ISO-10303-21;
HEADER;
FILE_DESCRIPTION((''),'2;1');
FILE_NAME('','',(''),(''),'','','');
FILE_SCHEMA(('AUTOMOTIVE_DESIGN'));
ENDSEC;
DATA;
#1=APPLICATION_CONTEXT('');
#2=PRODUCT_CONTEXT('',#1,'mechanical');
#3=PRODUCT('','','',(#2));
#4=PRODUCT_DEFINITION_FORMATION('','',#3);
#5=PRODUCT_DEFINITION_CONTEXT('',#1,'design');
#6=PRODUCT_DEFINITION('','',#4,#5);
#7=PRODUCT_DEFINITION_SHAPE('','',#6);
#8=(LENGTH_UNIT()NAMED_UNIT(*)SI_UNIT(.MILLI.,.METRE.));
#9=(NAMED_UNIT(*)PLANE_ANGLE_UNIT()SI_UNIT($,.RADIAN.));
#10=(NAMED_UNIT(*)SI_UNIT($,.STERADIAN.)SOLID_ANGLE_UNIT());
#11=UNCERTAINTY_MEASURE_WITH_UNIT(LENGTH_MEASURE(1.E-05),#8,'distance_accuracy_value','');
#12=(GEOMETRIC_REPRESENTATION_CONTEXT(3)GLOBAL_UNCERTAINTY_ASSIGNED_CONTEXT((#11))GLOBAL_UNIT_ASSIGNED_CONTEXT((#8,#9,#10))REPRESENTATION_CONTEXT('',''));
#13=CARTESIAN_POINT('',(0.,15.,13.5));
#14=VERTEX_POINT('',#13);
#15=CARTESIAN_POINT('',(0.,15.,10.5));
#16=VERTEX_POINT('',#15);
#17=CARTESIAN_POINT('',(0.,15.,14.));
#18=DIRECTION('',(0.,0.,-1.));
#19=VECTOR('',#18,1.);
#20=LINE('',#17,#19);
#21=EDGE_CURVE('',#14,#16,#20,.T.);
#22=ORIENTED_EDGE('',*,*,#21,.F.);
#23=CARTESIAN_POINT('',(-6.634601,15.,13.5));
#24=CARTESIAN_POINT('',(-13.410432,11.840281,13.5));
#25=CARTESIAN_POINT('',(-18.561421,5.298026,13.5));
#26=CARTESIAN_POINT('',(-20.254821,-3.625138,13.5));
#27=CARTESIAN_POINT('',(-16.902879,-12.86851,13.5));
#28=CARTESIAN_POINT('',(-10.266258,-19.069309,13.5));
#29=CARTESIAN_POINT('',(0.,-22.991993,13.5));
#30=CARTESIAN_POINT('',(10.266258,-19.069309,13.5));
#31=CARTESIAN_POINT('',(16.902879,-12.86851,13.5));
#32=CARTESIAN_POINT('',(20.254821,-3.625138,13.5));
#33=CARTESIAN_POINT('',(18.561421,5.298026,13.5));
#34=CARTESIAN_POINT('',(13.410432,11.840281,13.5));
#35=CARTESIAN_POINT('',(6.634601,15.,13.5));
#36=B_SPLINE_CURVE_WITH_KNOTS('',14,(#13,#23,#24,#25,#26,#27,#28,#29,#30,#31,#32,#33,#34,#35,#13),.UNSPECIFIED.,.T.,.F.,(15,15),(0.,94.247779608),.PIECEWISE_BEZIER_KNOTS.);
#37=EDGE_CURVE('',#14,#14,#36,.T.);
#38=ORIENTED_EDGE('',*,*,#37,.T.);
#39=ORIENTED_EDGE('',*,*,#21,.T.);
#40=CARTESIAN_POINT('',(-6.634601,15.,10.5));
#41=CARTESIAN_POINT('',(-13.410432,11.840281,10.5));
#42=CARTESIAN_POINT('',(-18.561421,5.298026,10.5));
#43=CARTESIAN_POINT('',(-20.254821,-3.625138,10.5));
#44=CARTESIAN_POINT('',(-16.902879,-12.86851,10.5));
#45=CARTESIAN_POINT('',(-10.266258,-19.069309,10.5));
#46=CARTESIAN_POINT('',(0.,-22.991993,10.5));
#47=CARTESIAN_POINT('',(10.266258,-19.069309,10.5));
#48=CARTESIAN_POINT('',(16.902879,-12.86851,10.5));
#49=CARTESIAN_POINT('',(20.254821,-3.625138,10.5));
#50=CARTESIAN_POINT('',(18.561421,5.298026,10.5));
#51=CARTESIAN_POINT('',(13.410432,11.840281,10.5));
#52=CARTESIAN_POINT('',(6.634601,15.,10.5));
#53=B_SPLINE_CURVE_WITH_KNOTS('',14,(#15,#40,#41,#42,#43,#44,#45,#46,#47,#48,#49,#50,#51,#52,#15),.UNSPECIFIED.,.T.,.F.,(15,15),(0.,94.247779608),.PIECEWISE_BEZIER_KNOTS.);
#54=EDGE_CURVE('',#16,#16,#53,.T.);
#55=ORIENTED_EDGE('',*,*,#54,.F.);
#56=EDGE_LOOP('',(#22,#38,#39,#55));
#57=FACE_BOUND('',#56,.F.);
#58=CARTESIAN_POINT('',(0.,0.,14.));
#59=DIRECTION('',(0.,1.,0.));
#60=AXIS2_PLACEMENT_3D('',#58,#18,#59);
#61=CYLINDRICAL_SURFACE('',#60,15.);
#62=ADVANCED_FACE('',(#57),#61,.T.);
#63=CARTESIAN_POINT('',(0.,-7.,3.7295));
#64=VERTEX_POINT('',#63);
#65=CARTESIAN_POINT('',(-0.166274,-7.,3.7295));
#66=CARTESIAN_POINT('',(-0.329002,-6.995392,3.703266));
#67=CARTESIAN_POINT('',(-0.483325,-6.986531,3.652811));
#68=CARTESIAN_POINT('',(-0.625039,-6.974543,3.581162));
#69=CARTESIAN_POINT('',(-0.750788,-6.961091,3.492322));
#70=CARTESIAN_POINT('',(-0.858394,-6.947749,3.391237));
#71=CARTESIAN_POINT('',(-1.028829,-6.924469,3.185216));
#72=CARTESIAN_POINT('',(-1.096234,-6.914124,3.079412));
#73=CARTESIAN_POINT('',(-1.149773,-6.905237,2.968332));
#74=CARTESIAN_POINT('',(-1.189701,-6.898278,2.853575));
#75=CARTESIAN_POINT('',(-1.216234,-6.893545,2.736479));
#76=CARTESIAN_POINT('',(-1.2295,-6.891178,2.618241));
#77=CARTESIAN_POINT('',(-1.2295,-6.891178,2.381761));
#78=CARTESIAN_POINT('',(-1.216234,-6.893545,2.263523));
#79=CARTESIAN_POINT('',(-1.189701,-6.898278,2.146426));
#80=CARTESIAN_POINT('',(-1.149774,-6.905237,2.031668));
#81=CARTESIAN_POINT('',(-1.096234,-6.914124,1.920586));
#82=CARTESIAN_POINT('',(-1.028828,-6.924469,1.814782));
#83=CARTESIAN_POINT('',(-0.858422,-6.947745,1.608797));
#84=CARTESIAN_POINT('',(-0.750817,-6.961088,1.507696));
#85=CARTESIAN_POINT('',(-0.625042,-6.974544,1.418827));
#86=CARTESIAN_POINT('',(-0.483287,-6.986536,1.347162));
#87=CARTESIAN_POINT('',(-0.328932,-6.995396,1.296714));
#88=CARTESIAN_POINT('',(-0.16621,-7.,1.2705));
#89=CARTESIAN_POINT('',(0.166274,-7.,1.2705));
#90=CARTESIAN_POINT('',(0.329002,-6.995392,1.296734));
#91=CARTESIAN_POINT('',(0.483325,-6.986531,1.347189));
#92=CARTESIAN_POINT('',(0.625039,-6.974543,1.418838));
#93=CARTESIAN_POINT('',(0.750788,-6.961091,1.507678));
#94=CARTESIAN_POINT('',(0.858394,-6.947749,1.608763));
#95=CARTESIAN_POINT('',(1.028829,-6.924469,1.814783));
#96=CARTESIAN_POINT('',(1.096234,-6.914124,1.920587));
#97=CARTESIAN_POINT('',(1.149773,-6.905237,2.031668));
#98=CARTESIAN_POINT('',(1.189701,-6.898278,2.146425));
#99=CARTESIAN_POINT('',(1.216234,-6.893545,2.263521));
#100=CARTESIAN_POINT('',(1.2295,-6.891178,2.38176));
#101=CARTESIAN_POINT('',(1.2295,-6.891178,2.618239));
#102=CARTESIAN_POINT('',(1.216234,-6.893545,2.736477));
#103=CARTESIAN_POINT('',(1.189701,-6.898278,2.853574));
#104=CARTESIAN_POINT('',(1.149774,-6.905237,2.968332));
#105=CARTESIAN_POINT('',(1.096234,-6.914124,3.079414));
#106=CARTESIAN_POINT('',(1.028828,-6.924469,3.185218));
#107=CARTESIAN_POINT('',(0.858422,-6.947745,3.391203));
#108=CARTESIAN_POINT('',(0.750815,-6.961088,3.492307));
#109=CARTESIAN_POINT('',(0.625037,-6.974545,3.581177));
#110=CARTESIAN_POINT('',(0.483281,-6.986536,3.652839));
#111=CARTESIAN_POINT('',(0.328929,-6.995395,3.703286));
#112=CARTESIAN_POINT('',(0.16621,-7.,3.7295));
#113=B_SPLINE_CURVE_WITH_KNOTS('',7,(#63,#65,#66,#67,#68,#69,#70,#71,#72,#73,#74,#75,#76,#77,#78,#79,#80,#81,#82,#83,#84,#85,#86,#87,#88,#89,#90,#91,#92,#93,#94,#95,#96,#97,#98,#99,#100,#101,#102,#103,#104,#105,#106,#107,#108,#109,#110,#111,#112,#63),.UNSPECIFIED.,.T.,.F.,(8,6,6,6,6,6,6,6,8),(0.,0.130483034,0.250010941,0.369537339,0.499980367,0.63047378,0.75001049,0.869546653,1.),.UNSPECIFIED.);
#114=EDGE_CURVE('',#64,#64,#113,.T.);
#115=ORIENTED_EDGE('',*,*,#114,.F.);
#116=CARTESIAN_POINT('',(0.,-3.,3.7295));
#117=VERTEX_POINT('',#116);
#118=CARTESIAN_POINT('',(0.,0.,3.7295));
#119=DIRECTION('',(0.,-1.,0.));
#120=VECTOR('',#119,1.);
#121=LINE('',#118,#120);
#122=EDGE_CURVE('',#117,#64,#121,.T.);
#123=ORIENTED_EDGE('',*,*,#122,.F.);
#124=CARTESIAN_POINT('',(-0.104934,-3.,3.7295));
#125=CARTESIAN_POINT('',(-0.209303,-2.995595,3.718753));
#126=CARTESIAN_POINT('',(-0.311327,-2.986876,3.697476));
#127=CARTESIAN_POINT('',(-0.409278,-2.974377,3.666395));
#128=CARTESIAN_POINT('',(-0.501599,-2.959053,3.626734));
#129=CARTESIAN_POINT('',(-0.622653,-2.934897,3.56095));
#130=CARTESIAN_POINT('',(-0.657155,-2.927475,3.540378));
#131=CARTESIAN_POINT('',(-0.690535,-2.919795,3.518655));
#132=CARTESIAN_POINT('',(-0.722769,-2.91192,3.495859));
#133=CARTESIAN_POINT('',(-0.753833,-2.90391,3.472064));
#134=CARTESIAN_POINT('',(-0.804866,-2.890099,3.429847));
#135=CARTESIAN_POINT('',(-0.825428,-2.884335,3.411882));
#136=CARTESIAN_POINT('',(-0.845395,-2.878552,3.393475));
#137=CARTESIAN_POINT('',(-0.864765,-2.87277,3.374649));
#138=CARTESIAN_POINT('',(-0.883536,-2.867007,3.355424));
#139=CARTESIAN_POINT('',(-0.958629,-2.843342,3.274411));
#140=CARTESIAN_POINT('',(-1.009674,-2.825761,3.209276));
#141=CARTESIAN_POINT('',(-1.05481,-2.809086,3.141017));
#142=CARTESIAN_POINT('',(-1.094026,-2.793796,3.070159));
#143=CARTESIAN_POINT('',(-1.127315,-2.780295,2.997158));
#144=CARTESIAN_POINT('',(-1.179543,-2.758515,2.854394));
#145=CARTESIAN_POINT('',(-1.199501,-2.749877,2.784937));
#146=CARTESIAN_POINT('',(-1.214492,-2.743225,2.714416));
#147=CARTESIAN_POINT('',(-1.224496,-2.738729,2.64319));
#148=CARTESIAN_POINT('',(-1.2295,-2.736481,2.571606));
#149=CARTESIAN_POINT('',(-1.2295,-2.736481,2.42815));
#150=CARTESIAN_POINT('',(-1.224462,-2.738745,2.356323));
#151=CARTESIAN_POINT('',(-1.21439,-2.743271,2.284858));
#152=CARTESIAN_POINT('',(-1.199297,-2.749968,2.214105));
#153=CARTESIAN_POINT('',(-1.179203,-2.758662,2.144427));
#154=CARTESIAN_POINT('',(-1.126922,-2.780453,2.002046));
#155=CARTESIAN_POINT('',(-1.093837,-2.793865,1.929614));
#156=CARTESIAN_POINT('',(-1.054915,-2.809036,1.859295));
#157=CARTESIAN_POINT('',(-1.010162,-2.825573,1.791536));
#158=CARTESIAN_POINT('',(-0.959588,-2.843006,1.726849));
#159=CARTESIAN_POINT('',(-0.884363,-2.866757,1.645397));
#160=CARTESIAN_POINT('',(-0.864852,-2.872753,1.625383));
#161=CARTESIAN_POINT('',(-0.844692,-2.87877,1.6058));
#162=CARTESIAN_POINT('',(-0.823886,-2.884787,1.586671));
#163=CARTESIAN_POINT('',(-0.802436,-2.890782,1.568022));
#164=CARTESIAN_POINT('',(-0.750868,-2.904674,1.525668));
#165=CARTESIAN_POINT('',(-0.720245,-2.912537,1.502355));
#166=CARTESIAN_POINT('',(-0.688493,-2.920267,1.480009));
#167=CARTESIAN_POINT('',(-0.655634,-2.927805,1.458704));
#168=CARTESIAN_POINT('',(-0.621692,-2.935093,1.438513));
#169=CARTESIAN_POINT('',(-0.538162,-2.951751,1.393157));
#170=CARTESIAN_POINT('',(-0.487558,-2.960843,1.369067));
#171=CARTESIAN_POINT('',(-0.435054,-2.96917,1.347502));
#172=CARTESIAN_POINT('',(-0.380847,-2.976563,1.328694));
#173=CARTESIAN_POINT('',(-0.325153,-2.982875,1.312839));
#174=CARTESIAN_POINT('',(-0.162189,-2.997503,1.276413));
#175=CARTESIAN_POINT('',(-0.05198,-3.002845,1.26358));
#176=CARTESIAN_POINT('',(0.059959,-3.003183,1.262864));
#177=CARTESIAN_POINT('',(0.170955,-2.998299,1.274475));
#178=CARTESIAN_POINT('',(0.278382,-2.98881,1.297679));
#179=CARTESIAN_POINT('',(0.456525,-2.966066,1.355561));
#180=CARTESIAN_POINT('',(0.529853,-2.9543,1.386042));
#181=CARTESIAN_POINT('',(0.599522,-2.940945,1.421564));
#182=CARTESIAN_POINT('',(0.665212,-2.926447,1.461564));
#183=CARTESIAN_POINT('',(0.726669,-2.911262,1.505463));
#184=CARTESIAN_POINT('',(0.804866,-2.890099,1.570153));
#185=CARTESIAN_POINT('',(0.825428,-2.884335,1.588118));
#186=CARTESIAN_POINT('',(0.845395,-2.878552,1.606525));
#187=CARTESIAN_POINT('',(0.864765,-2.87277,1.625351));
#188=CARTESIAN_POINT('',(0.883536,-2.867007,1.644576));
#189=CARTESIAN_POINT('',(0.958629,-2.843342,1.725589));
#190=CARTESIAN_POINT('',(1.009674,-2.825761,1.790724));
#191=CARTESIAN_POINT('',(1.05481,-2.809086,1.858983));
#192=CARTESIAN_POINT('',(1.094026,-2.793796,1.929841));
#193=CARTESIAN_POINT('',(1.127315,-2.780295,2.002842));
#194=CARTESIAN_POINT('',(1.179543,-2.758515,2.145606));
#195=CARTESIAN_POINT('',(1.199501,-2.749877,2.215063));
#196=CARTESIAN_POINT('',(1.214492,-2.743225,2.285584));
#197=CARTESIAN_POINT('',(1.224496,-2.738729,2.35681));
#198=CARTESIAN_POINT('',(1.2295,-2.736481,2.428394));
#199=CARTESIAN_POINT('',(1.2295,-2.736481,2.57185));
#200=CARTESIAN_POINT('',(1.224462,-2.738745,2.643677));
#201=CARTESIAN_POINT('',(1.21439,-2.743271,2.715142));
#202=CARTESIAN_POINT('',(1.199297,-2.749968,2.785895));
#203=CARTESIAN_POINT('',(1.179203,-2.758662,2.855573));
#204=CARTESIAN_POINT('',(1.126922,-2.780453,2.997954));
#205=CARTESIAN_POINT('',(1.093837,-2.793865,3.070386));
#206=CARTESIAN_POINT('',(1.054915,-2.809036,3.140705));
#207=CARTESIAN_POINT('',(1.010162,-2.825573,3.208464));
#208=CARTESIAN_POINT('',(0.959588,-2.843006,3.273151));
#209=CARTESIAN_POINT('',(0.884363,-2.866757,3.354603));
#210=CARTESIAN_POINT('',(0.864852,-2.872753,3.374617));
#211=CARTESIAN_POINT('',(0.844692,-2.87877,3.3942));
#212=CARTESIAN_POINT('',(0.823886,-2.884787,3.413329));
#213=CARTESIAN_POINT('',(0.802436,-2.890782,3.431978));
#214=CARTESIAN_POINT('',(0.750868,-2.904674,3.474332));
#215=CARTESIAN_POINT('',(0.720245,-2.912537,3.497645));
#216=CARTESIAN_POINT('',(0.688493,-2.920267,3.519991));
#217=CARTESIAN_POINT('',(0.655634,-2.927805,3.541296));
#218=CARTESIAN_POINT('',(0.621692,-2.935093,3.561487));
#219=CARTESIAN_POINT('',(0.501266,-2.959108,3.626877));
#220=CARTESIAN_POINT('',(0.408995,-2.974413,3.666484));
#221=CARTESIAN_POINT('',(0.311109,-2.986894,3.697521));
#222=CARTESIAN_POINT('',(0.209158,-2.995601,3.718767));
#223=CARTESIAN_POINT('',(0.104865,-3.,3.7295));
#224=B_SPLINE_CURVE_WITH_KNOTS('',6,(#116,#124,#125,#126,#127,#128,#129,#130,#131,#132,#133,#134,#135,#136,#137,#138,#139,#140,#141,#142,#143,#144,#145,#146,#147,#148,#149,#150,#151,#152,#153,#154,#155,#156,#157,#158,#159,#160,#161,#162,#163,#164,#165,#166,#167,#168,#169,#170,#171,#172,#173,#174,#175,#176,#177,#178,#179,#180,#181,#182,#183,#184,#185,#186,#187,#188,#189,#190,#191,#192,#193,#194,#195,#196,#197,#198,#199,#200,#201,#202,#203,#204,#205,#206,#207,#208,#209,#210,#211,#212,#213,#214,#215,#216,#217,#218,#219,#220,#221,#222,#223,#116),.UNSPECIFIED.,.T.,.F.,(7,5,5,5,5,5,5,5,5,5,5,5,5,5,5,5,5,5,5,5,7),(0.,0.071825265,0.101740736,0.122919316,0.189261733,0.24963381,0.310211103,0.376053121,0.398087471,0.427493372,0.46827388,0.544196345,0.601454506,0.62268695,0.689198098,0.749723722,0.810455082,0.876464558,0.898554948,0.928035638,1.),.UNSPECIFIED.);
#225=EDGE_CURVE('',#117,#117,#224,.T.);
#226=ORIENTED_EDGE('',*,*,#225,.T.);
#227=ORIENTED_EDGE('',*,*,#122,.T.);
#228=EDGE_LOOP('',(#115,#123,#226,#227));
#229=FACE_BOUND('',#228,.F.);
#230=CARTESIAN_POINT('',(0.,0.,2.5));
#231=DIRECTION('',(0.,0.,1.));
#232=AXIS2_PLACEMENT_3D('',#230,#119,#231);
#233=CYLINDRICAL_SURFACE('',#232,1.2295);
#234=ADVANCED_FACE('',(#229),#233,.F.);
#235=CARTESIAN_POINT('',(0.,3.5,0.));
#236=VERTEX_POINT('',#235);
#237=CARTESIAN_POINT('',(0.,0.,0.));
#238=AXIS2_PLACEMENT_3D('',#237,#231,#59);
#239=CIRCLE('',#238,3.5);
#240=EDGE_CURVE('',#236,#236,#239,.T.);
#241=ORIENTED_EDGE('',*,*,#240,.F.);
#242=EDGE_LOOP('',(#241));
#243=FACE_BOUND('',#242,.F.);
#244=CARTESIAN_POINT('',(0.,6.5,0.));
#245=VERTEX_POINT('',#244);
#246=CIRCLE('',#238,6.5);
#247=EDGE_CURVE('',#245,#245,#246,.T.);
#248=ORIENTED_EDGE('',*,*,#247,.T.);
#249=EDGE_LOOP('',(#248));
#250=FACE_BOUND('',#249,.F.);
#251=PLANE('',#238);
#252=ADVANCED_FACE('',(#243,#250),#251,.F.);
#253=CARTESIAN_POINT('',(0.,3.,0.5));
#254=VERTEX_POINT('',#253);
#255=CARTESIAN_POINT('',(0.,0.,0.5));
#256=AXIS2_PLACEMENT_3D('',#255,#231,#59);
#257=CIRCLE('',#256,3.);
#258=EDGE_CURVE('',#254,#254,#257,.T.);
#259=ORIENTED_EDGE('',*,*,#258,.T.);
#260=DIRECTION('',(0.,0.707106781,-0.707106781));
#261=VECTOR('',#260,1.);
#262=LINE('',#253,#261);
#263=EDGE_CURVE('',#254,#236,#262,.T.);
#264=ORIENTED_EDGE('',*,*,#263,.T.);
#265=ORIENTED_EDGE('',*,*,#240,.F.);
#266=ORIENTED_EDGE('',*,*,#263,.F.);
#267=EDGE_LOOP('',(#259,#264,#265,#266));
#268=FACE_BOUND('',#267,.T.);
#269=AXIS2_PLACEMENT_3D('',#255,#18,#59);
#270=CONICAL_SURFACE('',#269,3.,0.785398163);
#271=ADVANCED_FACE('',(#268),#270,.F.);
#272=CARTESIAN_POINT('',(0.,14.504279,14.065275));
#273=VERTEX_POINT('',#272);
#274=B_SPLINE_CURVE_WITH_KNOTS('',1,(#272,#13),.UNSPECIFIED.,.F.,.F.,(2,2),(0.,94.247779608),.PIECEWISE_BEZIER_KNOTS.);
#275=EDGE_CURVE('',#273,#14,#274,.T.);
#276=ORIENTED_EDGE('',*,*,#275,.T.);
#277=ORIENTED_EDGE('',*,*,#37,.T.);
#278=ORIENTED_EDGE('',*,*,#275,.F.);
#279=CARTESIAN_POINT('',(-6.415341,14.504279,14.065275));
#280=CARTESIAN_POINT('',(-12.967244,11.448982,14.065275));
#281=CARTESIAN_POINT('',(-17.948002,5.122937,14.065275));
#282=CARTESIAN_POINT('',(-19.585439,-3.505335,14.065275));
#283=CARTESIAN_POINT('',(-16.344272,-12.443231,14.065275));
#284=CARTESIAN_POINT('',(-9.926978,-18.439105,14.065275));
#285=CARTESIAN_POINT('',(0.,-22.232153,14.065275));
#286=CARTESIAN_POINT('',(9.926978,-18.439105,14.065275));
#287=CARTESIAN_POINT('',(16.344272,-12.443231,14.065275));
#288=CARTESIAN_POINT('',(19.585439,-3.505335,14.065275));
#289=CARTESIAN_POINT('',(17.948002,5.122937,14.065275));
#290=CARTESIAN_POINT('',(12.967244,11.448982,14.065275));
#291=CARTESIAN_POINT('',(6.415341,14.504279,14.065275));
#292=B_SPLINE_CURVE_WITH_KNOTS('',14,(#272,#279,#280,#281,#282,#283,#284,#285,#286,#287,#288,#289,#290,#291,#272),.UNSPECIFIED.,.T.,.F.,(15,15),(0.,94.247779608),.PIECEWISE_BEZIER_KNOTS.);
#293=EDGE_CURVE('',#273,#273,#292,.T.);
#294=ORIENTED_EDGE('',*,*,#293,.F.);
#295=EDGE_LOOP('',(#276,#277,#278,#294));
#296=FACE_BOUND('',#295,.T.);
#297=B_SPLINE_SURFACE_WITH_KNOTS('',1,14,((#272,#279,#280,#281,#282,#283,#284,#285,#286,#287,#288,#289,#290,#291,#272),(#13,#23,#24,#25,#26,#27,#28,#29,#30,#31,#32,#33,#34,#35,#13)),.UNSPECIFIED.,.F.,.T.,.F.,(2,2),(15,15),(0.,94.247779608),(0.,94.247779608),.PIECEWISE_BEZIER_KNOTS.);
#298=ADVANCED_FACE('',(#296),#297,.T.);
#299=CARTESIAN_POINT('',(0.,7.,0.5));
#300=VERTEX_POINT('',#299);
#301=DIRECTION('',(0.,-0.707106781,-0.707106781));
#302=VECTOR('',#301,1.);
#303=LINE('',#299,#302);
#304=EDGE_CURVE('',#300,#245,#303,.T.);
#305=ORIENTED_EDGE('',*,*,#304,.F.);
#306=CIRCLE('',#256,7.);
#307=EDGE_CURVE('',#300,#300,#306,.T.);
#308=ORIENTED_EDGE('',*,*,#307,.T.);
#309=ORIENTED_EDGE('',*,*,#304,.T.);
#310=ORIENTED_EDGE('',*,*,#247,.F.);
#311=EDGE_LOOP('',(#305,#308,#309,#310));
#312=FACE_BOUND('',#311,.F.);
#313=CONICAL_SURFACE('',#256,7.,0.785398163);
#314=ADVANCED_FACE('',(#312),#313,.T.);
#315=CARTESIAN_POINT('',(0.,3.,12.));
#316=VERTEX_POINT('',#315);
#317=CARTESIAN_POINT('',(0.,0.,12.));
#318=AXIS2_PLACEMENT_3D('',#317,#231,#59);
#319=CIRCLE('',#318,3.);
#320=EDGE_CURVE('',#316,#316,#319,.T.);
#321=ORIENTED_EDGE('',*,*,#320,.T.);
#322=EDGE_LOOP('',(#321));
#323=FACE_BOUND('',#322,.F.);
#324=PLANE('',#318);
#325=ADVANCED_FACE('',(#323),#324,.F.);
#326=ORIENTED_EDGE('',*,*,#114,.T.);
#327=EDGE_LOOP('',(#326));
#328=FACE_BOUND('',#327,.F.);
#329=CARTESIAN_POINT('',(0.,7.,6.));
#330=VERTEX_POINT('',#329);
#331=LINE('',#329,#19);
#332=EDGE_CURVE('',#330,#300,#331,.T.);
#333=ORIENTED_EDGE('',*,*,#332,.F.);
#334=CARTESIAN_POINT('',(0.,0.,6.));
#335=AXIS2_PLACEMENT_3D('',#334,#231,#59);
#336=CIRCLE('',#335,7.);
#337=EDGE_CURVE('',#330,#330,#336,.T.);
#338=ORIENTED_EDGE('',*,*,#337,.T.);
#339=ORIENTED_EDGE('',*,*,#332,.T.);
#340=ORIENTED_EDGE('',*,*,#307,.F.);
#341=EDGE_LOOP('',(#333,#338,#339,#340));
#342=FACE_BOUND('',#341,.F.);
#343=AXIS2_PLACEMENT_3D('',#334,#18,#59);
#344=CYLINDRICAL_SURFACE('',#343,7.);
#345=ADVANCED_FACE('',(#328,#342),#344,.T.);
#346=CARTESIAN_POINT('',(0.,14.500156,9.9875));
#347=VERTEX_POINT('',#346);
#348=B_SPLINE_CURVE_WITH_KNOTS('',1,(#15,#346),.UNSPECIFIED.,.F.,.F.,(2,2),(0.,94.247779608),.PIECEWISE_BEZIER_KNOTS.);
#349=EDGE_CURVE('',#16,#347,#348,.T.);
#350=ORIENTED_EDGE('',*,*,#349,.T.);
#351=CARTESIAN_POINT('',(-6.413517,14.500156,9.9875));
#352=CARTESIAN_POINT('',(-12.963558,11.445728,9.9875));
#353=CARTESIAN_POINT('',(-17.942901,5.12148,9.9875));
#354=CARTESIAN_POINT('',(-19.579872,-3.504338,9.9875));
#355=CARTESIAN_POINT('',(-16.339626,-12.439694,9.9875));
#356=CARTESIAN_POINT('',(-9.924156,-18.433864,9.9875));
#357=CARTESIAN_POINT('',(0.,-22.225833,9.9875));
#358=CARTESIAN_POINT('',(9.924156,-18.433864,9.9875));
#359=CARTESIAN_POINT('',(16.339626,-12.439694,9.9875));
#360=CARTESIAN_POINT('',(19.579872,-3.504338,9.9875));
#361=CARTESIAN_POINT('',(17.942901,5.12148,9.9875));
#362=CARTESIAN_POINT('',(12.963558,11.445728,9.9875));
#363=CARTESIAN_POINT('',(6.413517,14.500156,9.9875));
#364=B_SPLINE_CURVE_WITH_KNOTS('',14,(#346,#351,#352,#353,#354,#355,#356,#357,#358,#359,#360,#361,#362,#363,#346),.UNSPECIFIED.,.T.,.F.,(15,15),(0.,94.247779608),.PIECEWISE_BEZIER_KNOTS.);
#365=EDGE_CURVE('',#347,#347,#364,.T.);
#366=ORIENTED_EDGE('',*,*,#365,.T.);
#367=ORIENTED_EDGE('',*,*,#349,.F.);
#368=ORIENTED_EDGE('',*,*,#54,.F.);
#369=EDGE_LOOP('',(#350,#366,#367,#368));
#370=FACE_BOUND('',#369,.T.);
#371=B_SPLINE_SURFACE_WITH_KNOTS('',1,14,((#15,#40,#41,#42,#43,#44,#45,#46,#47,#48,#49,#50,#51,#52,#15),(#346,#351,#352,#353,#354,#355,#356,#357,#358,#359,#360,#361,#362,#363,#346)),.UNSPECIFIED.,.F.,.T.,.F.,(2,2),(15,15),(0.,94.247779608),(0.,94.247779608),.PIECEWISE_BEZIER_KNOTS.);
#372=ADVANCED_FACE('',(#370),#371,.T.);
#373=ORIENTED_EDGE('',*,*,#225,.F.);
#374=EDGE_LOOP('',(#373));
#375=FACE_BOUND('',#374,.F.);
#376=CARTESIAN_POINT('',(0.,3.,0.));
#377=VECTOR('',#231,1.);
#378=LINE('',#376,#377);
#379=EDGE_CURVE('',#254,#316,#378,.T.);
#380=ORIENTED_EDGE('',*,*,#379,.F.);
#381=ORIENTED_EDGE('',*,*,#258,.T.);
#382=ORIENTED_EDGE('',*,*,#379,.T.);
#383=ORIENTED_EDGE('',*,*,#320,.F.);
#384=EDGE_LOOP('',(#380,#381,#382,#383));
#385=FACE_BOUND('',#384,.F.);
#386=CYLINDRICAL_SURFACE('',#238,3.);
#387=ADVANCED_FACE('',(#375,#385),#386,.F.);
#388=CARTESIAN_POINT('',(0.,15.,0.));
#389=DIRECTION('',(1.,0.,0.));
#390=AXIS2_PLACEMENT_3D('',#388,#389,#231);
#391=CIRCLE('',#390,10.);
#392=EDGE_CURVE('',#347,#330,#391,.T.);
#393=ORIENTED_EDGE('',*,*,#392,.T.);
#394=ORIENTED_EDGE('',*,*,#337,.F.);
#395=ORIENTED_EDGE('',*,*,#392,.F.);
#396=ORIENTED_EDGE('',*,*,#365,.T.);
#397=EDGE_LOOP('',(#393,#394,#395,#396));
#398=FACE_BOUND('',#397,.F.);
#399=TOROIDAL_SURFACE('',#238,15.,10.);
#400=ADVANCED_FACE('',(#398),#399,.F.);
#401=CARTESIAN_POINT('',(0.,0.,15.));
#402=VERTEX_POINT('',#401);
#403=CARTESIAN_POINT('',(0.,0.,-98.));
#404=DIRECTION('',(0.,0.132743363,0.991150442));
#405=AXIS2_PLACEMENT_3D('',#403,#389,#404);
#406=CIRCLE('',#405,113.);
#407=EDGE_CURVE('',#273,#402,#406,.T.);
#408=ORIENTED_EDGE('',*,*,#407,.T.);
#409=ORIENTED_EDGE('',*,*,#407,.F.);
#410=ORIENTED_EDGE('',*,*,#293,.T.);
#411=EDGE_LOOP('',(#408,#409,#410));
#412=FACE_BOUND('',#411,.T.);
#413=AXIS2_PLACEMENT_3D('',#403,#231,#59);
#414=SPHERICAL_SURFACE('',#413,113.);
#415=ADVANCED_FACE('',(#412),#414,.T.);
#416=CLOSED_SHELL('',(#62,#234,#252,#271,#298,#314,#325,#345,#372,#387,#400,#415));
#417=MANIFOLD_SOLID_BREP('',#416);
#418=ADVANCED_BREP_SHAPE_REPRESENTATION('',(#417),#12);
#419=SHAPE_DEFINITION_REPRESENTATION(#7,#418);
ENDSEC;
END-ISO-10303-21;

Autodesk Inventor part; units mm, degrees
ref_plane "YZ Plane" through (0, 0, 0) normal (1, 0, 0) x (0, 1, 0)
ref_plane "XZ Plane" through (0, 0, 0) normal (0, 1, 0) x (-1, 0, 0)
ref_plane "XY Plane" through (0, 0, 0) normal (0, 0, 1) x (1, 0, 0)
sketch "Skizze1" plane through (0, 0, 0) normal (1, 0, 0) x (0, 1, 0)
  line L0 (0, 0) -> (0, 67.4576) construction
  line L1 (3, 0) -> (3, 12)
  line L2 (3, 12) -> (0, 12)
  line L3 (0, 12) -> (0, 15)
  line L4 (15, 14) -> (15, 10)
  line L5 (7, 6) -> (7, 0)
  line L6 (7, 0) -> (3, 0)
  arc A0 (15, 10) -> (7, 6) centre (15, 0) ccw
  line L7 (15, 10) -> (23.1737, 10) construction
  arc A1 (15, 14) -> (0, 15) centre (0, -98) ccw
  line L8 (0, 15) -> (-13.142, 15) construction
  dimension "d0" = 6
  dimension "d1" = 14
  dimension "d2" = 30
  dimension "d3" = 6
  dimension "d5" = 4
  dimension "d6" = 12
  dimension "d12" = 10
  dimension "d13" = 15
revolve "Umdrehung1" add sketch "Skizze1" angle 360 about axis through (0, 0, 0) along (0, 0, 1)
chamfer "Fase1" distance 0.5 angle 45 4 edges at (0, -7, 0) (0, -3, 0) (0, -15, 10) (0, -15, 14)
sketch "Skizze2" plane through (0, 0, 0) normal (0, 1, 0) x (-1, 0, 0)
  line L0 (6.5, 0) -> (-6.5, 0) projected
  point P0 (0, 0)
  point P1 (0, 2.5)
  point P2 (0, 0)
  dimension "d14" = 2.5
hole "Bohrung1" at (0, 0, 2.5) direction (0, -1, 0) diameter 2.459 end through all thread size "M3x0.5" class "6H" standard "ISO Metric profile"
properties part number "EW_Drehknopf" material "Messing, weicher Gelbton"
